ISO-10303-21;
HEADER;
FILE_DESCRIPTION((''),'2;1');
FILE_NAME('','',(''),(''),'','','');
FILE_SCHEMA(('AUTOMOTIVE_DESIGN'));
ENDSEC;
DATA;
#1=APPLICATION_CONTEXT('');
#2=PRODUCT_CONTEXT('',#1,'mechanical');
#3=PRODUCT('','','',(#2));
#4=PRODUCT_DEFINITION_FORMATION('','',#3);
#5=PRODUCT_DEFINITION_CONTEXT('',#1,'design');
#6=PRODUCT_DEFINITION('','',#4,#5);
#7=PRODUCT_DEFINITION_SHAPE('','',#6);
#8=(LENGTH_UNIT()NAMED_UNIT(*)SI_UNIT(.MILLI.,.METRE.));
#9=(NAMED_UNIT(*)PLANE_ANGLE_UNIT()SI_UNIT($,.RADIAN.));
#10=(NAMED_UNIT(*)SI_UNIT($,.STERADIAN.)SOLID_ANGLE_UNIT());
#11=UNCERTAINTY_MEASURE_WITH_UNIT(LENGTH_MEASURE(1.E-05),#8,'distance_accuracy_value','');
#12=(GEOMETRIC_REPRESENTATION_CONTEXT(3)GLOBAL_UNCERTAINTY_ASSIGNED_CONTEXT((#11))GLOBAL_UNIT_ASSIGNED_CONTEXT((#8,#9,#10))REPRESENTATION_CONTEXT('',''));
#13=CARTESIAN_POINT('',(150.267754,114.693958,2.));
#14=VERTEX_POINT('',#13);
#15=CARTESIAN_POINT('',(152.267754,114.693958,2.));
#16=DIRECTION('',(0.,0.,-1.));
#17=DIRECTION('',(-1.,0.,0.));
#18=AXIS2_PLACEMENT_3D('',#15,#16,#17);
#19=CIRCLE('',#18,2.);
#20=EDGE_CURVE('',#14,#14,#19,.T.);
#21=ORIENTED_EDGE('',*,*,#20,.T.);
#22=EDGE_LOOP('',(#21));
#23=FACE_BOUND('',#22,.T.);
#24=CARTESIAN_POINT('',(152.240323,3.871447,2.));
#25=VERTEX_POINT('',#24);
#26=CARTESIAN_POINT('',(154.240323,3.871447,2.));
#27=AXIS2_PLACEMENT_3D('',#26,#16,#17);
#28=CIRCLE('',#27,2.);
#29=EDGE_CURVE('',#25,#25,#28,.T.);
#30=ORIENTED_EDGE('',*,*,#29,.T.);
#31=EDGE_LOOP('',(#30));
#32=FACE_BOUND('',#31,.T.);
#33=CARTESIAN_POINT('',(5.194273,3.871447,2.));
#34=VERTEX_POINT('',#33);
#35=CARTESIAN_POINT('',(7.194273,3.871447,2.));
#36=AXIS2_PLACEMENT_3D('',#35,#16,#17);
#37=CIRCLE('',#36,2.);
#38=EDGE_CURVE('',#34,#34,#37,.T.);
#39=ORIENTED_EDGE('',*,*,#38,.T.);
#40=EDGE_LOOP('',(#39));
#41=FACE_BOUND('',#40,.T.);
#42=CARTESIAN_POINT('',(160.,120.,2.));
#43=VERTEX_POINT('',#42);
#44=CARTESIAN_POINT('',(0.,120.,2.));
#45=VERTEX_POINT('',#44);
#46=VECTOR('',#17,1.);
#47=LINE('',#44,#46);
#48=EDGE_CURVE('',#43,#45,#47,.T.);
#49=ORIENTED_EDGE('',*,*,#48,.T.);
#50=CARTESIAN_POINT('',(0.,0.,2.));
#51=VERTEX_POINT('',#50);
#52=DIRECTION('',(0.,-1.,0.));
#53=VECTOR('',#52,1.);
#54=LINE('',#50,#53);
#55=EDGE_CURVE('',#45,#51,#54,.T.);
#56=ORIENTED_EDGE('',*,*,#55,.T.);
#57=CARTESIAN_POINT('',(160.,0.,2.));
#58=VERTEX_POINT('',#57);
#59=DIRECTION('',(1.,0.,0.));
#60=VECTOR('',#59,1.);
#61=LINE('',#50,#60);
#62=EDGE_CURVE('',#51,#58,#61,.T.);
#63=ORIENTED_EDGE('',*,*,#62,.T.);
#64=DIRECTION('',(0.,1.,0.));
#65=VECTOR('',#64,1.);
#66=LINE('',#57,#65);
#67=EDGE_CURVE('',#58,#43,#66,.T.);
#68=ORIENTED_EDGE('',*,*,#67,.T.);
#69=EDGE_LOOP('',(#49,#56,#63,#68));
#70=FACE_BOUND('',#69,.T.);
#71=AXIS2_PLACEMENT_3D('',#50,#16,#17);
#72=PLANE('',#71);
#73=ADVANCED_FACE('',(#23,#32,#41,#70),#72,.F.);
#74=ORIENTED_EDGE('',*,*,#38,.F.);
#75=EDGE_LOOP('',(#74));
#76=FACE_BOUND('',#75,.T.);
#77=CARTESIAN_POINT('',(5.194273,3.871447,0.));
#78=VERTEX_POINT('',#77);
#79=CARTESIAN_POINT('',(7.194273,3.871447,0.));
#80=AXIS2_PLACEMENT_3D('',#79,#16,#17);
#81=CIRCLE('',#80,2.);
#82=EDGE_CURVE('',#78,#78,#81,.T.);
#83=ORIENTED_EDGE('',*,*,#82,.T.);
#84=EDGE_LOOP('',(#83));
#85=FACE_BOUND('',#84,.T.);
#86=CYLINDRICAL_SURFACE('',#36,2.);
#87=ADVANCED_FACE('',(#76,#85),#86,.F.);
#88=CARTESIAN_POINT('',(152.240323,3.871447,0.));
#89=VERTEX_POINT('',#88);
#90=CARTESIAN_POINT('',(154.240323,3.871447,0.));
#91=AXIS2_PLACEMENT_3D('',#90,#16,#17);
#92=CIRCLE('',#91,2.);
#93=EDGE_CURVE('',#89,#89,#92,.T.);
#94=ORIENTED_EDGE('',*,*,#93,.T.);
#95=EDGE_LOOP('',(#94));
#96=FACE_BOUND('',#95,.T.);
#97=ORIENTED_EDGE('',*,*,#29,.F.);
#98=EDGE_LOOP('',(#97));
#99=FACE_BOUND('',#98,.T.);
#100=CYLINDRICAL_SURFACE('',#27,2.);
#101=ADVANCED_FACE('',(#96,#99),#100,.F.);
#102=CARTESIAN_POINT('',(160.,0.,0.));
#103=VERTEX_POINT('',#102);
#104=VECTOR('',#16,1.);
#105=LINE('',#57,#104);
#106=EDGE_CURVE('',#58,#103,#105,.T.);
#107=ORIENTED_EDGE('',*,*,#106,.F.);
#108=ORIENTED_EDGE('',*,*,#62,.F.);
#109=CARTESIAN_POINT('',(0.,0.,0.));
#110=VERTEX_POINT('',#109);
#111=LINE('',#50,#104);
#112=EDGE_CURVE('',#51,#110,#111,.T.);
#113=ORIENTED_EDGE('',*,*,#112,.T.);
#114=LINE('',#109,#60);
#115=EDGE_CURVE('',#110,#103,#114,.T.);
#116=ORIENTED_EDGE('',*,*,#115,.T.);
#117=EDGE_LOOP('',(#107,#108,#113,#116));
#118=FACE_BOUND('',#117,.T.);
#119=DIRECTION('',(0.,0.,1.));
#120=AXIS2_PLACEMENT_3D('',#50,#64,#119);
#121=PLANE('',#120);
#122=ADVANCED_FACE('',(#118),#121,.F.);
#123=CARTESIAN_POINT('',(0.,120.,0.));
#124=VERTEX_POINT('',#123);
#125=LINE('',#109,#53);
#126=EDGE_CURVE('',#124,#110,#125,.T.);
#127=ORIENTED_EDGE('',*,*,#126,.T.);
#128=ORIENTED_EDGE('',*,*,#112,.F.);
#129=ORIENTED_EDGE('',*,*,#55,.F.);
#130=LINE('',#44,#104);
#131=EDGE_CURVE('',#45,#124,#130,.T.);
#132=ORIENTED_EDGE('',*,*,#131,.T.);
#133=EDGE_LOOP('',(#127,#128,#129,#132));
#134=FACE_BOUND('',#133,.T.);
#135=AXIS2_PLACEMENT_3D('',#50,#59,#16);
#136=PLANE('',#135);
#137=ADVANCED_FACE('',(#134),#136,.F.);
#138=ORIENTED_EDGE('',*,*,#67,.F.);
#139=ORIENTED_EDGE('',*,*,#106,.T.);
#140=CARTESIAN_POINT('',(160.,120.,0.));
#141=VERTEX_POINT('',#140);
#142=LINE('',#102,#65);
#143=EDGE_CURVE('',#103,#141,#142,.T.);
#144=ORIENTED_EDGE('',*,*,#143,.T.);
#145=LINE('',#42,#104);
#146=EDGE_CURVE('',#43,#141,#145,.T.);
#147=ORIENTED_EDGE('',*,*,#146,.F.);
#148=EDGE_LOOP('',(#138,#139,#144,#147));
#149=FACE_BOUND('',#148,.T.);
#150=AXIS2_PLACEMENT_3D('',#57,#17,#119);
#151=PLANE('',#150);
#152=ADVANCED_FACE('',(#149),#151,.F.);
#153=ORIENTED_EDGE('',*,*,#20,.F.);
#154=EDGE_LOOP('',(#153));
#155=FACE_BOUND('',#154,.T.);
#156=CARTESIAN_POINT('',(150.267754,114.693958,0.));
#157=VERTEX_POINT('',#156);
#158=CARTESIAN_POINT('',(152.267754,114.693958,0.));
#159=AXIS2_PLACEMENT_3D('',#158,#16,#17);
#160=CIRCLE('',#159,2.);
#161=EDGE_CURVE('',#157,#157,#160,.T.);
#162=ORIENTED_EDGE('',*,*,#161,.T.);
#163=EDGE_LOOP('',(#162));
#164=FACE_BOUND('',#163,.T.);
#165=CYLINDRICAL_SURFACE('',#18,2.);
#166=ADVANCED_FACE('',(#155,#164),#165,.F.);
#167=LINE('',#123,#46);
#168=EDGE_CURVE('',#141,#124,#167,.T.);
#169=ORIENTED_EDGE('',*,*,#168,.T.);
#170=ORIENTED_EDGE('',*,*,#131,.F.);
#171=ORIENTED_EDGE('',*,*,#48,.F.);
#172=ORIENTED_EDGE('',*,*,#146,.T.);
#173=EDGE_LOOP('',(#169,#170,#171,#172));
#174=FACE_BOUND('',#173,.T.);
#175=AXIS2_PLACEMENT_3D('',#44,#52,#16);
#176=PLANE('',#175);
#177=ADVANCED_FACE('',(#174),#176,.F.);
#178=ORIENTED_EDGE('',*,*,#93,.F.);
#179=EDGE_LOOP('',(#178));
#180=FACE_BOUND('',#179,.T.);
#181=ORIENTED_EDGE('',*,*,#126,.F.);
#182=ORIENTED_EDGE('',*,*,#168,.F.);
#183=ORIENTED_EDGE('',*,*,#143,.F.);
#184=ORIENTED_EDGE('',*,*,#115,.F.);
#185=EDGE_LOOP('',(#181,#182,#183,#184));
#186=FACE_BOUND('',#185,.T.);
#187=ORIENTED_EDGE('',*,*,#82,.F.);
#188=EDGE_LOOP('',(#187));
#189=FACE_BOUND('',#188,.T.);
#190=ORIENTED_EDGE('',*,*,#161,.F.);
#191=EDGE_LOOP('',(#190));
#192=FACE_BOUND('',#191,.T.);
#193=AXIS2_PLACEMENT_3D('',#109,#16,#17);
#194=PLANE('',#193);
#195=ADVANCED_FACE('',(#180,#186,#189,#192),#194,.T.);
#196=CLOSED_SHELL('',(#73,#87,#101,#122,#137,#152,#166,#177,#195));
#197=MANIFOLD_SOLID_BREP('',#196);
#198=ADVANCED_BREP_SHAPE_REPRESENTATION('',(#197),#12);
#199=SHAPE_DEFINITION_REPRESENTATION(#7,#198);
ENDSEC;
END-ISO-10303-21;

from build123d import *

# Parameters (mm, degrees)
SKETCH1_W           = 160
SKETCH1_H           = 120
BOSS_EXTRUDE1_DEPTH = 2
SKETCH2_R           = 2
CUT_EXTRUDE1_DEPTH  = 2


with BuildPart() as part:
    # Sketch1 → Boss-Extrude1 (new body)
    with BuildSketch(Plane.XY):
        with Locations((80, 60)):
            Rectangle(SKETCH1_W, SKETCH1_H)
    extrude(amount=BOSS_EXTRUDE1_DEPTH)

    # Sketch2 → Cut-Extrude1 (cut)
    with BuildSketch(Plane(origin=(0, 0, 0), x_dir=(-1, 0, 0), z_dir=(0, 0, -1))):
        with Locations((-7.194272825, 3.871446784)):
            Circle(SKETCH2_R)
        with Locations((-154.240322784, 3.871446784)):
            Circle(SKETCH2_R)
        with Locations((-152.267753821, 114.693957607)):
            Circle(SKETCH2_R)
    extrude(amount=-CUT_EXTRUDE1_DEPTH, mode=Mode.SUBTRACT)


solid = part.part
